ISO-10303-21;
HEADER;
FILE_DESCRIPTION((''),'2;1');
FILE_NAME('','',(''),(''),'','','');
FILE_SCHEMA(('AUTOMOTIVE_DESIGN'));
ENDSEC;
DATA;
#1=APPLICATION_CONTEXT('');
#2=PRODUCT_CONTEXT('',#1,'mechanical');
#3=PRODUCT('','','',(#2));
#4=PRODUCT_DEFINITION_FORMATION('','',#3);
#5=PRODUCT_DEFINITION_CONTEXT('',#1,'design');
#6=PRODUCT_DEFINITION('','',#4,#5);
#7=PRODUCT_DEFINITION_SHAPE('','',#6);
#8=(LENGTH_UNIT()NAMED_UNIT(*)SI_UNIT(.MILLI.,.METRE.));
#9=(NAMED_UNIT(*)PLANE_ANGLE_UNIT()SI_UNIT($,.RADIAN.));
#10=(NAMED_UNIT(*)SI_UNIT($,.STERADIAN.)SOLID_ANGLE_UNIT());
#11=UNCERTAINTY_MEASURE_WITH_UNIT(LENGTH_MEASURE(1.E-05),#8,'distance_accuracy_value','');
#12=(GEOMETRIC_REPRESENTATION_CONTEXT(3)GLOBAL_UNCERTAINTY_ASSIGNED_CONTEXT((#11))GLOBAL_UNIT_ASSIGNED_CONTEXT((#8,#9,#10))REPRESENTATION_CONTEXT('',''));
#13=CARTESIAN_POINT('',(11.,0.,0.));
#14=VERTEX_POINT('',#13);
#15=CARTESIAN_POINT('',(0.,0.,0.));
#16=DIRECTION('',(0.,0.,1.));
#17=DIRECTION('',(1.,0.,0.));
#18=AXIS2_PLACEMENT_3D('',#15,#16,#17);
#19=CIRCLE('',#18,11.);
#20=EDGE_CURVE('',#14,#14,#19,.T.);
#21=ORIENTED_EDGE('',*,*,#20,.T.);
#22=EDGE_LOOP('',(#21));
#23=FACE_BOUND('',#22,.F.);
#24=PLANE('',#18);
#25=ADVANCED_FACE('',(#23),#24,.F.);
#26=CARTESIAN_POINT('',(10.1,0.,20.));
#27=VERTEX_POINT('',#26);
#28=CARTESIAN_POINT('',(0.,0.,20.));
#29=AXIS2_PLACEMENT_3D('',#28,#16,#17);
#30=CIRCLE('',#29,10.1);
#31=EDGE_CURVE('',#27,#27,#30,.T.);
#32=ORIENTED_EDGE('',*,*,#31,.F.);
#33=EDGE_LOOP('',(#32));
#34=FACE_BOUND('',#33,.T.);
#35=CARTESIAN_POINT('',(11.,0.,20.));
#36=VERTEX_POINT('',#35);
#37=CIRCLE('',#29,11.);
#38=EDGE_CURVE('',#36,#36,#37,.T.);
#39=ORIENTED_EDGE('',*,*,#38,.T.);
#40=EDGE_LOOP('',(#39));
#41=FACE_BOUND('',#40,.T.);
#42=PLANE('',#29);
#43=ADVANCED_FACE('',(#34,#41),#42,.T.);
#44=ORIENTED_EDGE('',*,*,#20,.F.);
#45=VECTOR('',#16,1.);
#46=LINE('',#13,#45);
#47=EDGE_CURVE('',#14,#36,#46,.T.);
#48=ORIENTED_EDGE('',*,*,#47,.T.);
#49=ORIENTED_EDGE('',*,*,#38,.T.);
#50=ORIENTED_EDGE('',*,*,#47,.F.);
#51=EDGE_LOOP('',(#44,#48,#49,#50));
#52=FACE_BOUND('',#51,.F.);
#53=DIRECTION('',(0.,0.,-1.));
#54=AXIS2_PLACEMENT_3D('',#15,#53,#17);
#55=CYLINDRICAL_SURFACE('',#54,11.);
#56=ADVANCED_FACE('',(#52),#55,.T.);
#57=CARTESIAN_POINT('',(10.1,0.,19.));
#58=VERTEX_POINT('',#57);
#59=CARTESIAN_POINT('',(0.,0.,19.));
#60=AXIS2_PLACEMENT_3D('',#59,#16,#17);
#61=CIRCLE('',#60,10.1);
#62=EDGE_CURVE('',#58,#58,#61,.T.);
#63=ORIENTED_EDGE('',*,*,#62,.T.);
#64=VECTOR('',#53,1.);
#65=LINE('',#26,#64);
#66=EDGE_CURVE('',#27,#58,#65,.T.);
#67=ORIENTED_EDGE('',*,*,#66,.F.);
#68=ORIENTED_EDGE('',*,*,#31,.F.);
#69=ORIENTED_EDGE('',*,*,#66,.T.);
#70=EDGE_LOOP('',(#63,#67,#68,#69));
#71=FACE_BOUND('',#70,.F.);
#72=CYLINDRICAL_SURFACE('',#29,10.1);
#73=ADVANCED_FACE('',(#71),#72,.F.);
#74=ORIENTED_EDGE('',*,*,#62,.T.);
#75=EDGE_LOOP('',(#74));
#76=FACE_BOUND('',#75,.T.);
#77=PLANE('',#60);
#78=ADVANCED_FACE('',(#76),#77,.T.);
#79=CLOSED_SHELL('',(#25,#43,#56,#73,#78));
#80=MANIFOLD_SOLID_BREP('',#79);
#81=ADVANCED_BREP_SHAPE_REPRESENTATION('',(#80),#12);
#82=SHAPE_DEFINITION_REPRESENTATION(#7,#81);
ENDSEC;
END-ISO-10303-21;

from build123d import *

# Parameters (mm, degrees)
SKETCH_R     = 11
PAD_DEPTH    = 20
SKETCH001_R  = 10.1
POCKET_DEPTH = 1


with BuildPart() as part:
    # Sketch → Pad (new body)
    with BuildSketch(Plane.XY):
        Circle(SKETCH_R)
    extrude(amount=PAD_DEPTH)

    # Sketch001 (on Face3 of Pad) → Pocket (cut)
    with BuildSketch(Plane.XY.offset(20)):
        Circle(SKETCH001_R)
    extrude(amount=-POCKET_DEPTH, mode=Mode.SUBTRACT)


solid = part.part
